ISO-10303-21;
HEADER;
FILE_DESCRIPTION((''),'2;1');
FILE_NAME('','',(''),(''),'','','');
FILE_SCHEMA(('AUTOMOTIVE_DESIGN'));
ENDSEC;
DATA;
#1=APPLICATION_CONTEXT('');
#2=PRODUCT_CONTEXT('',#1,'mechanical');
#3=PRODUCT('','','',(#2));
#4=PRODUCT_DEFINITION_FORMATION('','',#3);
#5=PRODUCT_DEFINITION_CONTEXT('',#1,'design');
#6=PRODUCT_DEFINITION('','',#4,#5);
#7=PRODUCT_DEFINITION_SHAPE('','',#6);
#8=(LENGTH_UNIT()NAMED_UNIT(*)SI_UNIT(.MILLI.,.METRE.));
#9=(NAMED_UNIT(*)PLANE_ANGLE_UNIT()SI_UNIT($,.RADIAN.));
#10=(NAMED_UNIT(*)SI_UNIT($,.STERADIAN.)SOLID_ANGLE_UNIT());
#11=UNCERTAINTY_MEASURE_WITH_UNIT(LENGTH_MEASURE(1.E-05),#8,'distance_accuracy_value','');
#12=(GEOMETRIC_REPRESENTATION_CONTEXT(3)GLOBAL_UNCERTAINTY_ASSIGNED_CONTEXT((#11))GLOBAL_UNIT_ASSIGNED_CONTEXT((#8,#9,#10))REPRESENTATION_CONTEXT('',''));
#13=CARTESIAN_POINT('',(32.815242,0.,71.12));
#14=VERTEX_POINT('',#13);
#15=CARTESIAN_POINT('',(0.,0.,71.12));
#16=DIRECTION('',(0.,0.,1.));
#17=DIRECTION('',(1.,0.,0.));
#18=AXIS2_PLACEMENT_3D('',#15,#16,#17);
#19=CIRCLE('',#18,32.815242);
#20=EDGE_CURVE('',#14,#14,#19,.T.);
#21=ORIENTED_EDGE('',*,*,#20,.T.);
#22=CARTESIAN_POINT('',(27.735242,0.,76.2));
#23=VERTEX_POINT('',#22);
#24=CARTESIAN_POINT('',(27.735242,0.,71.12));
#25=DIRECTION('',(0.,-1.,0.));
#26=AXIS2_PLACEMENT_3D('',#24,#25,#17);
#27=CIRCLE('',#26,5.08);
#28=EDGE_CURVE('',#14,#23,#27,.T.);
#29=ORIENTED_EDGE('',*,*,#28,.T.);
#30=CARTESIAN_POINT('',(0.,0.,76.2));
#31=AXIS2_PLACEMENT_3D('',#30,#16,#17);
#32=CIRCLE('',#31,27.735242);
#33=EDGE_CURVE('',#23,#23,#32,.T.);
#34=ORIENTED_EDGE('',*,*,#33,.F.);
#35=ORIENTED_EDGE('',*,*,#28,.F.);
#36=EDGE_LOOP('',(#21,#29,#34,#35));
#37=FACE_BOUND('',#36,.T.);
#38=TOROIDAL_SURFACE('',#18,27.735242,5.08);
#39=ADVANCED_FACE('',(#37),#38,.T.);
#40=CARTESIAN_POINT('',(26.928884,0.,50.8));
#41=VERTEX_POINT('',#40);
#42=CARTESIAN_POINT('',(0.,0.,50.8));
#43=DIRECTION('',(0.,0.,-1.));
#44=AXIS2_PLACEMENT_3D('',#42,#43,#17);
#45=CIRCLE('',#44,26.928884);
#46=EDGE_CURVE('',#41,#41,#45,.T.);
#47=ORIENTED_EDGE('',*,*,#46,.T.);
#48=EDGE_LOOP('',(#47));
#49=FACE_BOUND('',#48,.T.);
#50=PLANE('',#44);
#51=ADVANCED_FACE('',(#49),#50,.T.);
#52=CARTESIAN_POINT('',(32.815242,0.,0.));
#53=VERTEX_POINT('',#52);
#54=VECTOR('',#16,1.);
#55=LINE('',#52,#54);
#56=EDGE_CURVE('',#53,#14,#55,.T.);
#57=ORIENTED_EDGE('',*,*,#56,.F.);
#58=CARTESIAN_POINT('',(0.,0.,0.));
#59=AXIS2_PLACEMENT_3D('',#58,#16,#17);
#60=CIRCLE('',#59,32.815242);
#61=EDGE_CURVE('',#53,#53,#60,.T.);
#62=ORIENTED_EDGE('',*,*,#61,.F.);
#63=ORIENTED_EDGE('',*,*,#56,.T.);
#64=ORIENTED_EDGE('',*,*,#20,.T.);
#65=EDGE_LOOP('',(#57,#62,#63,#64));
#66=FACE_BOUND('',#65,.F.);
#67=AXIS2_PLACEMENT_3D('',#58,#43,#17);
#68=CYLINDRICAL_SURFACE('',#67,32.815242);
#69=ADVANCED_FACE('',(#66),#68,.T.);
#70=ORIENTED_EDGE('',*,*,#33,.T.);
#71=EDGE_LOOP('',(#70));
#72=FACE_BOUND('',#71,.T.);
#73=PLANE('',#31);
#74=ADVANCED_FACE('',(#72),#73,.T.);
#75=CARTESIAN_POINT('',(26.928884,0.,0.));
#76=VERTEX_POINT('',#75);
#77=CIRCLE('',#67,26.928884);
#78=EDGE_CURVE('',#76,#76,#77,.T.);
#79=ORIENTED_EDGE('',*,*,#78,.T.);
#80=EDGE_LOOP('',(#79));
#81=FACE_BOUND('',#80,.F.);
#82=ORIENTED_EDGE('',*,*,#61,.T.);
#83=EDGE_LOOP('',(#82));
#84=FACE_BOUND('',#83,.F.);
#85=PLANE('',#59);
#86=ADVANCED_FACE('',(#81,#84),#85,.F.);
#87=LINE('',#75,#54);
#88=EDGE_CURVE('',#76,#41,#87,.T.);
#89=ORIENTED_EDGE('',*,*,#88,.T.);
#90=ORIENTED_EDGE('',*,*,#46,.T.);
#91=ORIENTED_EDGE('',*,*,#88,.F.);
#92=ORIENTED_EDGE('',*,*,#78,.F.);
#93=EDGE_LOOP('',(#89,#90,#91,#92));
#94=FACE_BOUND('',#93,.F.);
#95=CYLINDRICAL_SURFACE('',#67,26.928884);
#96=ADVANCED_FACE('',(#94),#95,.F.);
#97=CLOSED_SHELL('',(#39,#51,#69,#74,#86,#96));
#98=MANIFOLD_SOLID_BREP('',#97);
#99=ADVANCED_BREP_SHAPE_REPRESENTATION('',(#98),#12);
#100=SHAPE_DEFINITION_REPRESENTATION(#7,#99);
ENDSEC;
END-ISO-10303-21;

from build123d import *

# Parameters (mm, degrees)
F0_R     = 32.815242
F1_DEPTH = 76.2
F2_R     = 5.08
F3_R     = 26.928884
F4_DEPTH = 50.8


with BuildPart() as f1:
    # F0 (on Top) → F1 (new body)
    with BuildSketch(Plane.XY):
        Circle(F0_R)
    extrude(amount=F1_DEPTH)

    # F2
    f2_edges = [f1.edges().sort_by_distance(p)[0] for p in [
        (-32.815242, 0, 76.2),
    ]]
    fillet(f2_edges, radius=F2_R)

    # F3 (on face) → F4 (cut)
    with BuildSketch(Plane(origin=(0, 0, 0), x_dir=(1, 0, 0), z_dir=(0, 0, -1))):
        Circle(F3_R)
    extrude(amount=-F4_DEPTH, mode=Mode.SUBTRACT)


solid = f1.part
